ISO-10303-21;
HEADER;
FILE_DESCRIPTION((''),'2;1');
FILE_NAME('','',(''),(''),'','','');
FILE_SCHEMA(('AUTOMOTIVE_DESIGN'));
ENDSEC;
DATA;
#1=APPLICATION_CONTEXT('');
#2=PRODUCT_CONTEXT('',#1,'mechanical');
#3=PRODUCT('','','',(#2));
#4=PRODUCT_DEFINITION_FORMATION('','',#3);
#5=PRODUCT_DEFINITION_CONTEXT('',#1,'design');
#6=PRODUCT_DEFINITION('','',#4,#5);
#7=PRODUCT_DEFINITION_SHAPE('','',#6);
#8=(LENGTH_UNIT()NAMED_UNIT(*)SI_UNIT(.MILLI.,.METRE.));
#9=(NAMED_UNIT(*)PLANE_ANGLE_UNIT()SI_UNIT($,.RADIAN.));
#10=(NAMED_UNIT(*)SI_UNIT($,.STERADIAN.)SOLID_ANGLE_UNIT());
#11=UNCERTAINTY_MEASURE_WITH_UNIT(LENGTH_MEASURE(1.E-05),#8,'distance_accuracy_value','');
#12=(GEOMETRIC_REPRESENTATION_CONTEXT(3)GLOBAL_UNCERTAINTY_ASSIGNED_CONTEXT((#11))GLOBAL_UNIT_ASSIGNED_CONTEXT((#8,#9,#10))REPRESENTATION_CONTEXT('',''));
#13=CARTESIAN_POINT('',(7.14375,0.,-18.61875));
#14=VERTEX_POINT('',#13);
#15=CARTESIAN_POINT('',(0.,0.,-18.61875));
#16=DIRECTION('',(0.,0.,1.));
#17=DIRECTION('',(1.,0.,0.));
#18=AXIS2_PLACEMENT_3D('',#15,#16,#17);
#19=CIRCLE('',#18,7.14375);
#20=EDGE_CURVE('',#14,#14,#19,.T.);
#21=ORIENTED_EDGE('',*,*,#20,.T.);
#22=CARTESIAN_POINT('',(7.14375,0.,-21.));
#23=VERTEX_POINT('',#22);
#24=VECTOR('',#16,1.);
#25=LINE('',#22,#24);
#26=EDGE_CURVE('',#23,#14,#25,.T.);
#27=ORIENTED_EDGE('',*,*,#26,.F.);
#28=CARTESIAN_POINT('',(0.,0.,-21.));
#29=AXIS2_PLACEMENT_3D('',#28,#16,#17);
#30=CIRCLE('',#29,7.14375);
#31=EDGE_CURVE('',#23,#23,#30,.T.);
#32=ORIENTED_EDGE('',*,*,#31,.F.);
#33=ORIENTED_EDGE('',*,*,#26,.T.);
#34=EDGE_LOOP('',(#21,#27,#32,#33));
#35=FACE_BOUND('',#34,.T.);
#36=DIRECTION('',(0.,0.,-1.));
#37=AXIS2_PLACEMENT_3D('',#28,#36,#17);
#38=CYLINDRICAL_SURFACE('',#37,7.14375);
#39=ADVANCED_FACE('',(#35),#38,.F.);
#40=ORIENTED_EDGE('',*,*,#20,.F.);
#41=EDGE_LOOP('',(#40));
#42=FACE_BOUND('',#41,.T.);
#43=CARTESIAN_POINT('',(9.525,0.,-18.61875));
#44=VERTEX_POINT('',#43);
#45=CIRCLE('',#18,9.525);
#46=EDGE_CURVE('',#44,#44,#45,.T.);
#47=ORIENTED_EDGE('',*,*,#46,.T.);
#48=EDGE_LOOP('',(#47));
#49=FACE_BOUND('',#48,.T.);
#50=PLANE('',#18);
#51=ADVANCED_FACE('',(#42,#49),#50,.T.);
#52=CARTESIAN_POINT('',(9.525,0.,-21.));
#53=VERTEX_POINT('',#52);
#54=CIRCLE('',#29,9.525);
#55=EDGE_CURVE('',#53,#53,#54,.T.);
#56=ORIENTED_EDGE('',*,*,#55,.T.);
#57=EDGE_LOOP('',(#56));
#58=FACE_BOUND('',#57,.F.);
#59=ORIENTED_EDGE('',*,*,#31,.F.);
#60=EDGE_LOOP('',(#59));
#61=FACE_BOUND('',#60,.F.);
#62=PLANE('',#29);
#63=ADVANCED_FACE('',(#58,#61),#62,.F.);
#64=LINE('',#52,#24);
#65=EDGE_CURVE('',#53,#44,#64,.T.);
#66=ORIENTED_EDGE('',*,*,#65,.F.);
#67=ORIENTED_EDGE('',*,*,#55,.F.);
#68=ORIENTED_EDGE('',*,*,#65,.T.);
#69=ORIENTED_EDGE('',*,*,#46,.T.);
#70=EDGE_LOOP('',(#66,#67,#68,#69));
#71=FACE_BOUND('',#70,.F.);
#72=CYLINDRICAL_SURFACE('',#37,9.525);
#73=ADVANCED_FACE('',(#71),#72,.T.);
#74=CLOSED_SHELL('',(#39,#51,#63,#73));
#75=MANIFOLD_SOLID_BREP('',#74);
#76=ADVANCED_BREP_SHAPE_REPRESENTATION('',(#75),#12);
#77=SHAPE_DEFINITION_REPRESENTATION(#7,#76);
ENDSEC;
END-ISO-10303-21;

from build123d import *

# Parameters (mm, degrees)
CYLINDER154_R     = 7.14375
CYLINDER154_DEPTH = 2.38125
CYLINDER155_R     = 9.525
CYLINDER155_DEPTH = 2.38125


with BuildPart() as cylinder008:
    # Cylinder154 → Cylinder154 (new body)
    with BuildSketch(Plane.XY.offset(-21)):
        Circle(CYLINDER154_R)
    extrude(amount=CYLINDER154_DEPTH)


with BuildPart() as cut019:
    # Cylinder155 → Cylinder155 (new body)
    with BuildSketch(Plane.XY.offset(-21)):
        Circle(CYLINDER155_R)
    extrude(amount=CYLINDER155_DEPTH)

    # Cut019: cut Cylinder008
    add(cylinder008.part, mode=Mode.SUBTRACT)


solid = cut019.part
